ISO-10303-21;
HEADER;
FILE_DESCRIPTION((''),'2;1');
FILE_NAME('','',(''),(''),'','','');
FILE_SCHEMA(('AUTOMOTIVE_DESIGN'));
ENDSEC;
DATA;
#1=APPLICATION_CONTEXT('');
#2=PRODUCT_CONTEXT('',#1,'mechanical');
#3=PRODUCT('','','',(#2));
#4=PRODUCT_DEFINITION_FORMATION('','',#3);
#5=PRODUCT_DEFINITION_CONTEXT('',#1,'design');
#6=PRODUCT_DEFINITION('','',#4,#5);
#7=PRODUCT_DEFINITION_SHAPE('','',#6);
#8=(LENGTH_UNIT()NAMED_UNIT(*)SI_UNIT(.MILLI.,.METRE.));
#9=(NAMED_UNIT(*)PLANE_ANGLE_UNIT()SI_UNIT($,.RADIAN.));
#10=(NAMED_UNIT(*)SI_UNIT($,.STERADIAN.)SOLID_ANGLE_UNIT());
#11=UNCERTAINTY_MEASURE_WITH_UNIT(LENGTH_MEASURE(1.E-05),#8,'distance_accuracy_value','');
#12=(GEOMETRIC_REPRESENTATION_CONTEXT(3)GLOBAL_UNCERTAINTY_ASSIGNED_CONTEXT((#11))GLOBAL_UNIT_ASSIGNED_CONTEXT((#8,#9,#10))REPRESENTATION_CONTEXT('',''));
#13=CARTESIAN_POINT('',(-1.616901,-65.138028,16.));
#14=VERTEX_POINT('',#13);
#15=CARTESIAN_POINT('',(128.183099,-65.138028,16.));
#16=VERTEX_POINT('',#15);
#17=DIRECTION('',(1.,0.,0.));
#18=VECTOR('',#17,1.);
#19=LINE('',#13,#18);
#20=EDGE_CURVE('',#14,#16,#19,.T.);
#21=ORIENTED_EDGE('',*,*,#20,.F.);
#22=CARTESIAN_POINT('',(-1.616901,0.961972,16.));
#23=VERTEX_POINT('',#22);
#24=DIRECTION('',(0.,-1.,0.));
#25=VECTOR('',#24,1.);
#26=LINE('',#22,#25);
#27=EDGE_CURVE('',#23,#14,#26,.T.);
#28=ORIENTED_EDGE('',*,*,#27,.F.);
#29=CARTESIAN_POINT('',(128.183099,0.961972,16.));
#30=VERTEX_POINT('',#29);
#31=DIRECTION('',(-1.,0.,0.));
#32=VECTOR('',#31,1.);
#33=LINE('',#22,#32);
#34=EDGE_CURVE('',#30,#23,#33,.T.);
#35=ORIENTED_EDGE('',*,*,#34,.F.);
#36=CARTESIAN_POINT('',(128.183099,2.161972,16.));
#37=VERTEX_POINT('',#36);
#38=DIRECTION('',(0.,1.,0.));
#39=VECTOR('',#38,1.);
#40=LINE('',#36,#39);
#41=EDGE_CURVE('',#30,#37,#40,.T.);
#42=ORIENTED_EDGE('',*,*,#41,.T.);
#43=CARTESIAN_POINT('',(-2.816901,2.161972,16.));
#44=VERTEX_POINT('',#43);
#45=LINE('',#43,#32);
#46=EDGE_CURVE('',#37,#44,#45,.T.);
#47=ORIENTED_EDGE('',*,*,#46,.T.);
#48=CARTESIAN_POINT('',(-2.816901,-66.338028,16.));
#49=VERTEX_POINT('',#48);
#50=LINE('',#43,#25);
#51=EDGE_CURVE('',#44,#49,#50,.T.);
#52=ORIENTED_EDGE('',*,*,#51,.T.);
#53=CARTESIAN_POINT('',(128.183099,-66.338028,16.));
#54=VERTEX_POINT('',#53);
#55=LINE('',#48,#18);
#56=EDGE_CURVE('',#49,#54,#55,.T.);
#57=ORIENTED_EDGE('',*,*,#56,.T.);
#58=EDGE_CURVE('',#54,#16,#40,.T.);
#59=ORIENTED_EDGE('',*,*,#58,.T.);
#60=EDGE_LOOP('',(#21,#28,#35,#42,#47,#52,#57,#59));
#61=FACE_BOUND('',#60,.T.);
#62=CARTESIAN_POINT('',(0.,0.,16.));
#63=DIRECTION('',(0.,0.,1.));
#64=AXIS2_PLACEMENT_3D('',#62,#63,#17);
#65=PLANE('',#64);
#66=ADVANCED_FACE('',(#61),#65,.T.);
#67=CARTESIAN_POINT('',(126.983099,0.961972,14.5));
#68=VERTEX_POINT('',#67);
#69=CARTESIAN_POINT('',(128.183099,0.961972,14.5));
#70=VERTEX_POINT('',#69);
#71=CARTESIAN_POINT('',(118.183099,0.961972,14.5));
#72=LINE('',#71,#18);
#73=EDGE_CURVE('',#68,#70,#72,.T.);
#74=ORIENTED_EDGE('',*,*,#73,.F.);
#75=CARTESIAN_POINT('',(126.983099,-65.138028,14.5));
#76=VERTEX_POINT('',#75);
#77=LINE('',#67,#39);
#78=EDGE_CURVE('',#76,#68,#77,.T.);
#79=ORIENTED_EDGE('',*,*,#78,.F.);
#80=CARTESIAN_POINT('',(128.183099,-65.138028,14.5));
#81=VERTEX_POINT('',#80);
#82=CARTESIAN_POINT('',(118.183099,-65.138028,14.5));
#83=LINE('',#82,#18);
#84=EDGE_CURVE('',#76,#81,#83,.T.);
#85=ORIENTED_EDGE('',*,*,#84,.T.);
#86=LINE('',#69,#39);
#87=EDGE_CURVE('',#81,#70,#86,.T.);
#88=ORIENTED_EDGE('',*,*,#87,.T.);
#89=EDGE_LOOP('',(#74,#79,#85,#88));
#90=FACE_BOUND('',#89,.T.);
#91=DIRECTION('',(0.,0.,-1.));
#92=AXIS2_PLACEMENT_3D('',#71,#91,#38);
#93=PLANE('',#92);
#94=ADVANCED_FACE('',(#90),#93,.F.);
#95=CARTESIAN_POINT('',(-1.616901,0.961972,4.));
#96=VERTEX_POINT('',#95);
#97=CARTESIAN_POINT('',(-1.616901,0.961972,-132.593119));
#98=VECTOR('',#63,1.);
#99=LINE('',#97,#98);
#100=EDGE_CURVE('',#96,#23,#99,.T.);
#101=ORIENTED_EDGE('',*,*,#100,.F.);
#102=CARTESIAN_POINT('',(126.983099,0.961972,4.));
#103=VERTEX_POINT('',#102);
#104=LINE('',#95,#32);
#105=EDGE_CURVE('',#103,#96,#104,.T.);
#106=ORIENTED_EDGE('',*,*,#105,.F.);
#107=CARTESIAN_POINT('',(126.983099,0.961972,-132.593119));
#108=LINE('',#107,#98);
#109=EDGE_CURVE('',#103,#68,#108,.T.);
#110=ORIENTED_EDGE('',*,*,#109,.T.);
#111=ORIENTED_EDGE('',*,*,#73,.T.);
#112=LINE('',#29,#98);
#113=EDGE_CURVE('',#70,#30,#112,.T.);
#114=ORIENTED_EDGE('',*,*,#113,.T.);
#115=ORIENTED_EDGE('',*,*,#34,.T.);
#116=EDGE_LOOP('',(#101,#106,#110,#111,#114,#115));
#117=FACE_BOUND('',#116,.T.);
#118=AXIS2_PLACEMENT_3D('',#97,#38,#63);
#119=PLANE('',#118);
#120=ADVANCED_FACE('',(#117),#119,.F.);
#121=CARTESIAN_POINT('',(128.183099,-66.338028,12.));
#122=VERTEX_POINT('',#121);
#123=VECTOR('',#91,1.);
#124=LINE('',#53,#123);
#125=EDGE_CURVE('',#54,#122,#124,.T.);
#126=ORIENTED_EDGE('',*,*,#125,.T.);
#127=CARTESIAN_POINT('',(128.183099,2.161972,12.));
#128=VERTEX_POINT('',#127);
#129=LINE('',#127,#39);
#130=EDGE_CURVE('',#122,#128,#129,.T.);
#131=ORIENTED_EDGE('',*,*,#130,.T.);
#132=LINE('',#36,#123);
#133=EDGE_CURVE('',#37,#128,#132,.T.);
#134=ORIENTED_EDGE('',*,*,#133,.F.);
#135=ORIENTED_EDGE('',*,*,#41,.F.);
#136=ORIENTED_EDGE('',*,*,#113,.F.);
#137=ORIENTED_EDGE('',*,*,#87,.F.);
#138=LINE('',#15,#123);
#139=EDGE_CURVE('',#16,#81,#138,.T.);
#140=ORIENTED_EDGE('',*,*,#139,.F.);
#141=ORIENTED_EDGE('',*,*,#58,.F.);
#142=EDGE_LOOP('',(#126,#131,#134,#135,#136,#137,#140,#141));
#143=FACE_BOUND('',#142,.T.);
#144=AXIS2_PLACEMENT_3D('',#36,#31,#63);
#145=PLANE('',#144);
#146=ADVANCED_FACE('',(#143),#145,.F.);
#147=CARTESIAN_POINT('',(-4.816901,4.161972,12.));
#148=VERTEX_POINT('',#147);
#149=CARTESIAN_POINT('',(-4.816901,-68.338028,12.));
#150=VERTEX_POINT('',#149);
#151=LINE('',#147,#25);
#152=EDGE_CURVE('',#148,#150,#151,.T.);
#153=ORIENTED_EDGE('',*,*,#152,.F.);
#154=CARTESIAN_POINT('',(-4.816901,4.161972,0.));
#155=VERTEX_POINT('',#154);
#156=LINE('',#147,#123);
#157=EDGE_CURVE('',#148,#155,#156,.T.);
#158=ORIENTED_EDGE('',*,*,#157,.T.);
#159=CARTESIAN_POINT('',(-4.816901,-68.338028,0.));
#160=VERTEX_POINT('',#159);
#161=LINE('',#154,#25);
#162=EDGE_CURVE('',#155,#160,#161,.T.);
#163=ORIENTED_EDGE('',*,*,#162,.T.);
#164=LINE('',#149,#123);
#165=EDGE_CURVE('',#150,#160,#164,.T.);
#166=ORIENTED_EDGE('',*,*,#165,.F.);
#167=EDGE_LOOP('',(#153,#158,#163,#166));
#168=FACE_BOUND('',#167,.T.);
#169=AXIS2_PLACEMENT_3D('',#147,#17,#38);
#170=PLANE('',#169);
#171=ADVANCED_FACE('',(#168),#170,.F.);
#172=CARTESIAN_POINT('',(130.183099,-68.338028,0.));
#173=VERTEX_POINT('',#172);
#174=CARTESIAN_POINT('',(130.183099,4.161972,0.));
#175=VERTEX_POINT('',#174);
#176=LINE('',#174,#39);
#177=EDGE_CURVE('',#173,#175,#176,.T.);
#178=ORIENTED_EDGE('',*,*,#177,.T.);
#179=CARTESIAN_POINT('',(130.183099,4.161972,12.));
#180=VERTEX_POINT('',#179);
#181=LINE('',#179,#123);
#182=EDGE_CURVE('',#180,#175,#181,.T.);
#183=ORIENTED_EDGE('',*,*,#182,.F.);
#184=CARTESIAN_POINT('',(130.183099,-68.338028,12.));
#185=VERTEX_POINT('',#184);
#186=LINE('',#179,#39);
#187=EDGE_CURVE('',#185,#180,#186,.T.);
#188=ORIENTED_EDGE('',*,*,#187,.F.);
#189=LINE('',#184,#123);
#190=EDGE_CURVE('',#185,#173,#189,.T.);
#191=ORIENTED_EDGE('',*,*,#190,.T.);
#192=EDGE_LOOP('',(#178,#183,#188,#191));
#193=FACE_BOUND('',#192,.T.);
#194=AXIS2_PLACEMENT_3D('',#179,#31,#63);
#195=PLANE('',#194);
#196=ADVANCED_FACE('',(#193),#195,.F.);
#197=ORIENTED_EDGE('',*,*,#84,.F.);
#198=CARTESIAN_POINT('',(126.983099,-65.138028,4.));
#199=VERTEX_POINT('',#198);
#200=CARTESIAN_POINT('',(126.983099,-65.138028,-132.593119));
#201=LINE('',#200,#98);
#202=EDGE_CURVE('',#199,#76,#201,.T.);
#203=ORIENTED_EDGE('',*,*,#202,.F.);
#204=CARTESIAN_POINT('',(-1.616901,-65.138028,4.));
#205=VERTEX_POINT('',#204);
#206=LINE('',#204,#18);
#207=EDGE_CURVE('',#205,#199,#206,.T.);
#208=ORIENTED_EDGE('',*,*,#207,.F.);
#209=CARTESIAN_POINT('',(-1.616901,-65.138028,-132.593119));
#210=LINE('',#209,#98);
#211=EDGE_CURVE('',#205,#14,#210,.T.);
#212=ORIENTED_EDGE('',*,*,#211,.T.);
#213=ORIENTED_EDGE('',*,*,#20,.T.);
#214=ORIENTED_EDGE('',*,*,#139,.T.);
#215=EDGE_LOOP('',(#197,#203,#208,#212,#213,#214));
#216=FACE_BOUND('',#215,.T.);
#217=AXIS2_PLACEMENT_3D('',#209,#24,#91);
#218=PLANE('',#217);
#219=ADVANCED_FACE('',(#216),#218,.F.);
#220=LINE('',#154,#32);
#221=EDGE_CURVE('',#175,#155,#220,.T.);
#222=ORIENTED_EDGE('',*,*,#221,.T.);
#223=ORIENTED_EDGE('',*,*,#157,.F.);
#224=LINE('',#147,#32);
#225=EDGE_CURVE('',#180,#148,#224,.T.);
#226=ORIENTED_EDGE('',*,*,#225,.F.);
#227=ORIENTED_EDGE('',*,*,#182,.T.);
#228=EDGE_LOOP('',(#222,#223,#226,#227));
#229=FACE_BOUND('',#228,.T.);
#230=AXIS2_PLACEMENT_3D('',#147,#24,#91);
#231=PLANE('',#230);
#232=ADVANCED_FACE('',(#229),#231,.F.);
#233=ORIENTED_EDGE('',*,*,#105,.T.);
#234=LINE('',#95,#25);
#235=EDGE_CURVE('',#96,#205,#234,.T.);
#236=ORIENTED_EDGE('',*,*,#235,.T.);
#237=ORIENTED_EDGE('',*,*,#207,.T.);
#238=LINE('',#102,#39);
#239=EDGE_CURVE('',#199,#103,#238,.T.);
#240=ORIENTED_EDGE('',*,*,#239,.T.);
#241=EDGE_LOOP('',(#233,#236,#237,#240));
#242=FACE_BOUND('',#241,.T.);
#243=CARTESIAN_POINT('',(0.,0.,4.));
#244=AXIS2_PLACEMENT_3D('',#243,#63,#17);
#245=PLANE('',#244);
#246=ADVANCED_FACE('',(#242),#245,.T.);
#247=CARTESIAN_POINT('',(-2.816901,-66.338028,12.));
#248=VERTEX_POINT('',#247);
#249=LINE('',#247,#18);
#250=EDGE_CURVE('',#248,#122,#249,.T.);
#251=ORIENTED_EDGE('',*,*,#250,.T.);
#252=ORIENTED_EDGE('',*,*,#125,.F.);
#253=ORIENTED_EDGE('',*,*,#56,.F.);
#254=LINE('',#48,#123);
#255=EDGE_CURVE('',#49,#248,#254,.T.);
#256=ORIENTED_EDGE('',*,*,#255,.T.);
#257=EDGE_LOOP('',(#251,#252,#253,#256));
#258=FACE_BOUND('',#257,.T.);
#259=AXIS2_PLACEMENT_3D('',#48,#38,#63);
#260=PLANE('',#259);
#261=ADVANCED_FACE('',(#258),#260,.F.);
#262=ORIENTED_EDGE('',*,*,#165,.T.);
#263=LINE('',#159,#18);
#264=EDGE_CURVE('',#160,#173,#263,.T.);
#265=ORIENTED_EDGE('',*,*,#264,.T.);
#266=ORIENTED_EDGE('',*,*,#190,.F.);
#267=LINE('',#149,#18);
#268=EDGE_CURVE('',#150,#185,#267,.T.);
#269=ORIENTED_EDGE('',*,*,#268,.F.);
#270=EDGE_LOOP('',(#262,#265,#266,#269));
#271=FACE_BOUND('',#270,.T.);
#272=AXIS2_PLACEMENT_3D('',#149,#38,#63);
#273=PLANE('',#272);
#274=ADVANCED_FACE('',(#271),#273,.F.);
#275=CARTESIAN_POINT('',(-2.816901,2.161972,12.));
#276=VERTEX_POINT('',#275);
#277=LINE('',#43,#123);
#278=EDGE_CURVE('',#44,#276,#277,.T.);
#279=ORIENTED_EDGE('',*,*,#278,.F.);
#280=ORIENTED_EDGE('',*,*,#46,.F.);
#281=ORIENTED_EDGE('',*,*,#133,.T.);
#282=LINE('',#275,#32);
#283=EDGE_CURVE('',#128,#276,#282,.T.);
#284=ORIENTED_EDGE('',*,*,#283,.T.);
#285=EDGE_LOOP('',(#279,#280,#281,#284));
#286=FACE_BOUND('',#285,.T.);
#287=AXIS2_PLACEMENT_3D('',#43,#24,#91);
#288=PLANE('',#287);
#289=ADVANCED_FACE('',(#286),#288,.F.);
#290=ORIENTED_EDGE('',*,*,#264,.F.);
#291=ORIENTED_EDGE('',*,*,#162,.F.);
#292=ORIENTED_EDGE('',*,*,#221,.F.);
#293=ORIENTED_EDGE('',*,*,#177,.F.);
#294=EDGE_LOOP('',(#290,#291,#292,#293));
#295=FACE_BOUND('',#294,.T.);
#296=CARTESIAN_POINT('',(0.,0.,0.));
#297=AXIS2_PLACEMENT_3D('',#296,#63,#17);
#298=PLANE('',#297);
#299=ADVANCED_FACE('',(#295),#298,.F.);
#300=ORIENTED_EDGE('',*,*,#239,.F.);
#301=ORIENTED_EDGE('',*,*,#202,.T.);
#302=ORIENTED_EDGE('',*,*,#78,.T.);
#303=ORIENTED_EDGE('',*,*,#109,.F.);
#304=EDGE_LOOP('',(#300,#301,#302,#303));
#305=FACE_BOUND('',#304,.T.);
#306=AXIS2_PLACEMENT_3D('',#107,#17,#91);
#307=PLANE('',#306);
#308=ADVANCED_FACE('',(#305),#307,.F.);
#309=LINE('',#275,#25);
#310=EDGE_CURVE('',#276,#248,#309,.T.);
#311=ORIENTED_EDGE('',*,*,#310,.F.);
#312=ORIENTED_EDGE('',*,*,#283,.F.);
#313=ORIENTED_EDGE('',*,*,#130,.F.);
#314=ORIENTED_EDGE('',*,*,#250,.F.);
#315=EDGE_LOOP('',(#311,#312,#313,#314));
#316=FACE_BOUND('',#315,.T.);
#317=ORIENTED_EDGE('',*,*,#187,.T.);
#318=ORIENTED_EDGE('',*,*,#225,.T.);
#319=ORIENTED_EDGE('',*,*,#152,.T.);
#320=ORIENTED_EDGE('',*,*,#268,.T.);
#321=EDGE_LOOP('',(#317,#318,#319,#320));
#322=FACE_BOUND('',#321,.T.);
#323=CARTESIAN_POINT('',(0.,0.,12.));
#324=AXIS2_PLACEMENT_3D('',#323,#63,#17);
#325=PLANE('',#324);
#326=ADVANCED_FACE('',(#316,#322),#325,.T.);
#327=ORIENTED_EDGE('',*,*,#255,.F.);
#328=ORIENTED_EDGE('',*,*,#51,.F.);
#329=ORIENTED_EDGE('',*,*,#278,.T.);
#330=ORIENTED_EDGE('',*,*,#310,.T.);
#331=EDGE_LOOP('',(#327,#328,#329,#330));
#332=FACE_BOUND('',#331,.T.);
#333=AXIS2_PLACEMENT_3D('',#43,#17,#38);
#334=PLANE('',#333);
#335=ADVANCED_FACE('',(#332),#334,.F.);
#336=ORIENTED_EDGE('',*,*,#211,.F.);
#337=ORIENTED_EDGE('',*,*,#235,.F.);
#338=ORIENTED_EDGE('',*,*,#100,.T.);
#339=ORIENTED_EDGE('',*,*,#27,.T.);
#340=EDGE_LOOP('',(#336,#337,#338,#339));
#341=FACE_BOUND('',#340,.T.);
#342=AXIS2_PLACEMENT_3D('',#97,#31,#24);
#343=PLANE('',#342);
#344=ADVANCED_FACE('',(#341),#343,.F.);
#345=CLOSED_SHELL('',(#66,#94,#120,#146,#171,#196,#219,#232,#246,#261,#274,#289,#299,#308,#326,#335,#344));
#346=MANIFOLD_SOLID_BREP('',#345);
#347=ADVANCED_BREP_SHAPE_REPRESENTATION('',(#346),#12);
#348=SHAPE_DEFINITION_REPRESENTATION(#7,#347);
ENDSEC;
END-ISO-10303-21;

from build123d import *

# Parameters (mm, degrees)
SKETCH1_W           = 135
SKETCH1_H           = 72.5
BOSS_EXTRUDE1_DEPTH = 12
SKETCH2_W           = 131
SKETCH2_H           = 68.5
BOSS_EXTRUDE2_DEPTH = 4
SKETCH4_W           = 128.6
SKETCH4_H           = 66.1
CUT_EXTRUDE1_DEPTH  = 4
SKETCH5_W           = 128.6
SKETCH5_H           = 66.1
CUT_EXTRUDE2_DEPTH  = 8
SKETCH6_W           = 1.5
SKETCH6_H           = 66.1
CUT_EXTRUDE3_DEPTH  = 10


with BuildPart() as part:
    # Sketch1 → Boss-Extrude1 (new body)
    with BuildSketch(Plane.XY):
        with Locations((62.683098592, -32.088028169)):
            Rectangle(SKETCH1_W, SKETCH1_H)
    extrude(amount=BOSS_EXTRUDE1_DEPTH)

    # Sketch2 → Boss-Extrude2 (add)
    with BuildSketch(Plane.XY.offset(12)):
        with Locations((62.683098592, -32.088028169)):
            Rectangle(SKETCH2_W, SKETCH2_H)
    extrude(amount=BOSS_EXTRUDE2_DEPTH)

    # Sketch4 → Cut-Extrude1 (cut)
    with BuildSketch(Plane.XY.offset(16)):
        with Locations((62.683098592, -32.088028169)):
            Rectangle(SKETCH4_W, SKETCH4_H)
    extrude(amount=-CUT_EXTRUDE1_DEPTH, mode=Mode.SUBTRACT)

    # Sketch5 → Cut-Extrude2 (cut)
    with BuildSketch(Plane.XY.offset(12)):
        with Locations((62.683098592, -32.088028169)):
            Rectangle(SKETCH5_W, SKETCH5_H)
    extrude(amount=-CUT_EXTRUDE2_DEPTH, mode=Mode.SUBTRACT)

    # Sketch6 → Cut-Extrude3 (cut)
    with BuildSketch(Plane(origin=(128.183098592, 0, 0), x_dir=(0, 0, -1), z_dir=(1, 0, 0))):
        with Locations((-15.25, -32.088028169)):
            Rectangle(SKETCH6_W, SKETCH6_H)
    extrude(amount=-CUT_EXTRUDE3_DEPTH, mode=Mode.SUBTRACT)


solid = part.part
